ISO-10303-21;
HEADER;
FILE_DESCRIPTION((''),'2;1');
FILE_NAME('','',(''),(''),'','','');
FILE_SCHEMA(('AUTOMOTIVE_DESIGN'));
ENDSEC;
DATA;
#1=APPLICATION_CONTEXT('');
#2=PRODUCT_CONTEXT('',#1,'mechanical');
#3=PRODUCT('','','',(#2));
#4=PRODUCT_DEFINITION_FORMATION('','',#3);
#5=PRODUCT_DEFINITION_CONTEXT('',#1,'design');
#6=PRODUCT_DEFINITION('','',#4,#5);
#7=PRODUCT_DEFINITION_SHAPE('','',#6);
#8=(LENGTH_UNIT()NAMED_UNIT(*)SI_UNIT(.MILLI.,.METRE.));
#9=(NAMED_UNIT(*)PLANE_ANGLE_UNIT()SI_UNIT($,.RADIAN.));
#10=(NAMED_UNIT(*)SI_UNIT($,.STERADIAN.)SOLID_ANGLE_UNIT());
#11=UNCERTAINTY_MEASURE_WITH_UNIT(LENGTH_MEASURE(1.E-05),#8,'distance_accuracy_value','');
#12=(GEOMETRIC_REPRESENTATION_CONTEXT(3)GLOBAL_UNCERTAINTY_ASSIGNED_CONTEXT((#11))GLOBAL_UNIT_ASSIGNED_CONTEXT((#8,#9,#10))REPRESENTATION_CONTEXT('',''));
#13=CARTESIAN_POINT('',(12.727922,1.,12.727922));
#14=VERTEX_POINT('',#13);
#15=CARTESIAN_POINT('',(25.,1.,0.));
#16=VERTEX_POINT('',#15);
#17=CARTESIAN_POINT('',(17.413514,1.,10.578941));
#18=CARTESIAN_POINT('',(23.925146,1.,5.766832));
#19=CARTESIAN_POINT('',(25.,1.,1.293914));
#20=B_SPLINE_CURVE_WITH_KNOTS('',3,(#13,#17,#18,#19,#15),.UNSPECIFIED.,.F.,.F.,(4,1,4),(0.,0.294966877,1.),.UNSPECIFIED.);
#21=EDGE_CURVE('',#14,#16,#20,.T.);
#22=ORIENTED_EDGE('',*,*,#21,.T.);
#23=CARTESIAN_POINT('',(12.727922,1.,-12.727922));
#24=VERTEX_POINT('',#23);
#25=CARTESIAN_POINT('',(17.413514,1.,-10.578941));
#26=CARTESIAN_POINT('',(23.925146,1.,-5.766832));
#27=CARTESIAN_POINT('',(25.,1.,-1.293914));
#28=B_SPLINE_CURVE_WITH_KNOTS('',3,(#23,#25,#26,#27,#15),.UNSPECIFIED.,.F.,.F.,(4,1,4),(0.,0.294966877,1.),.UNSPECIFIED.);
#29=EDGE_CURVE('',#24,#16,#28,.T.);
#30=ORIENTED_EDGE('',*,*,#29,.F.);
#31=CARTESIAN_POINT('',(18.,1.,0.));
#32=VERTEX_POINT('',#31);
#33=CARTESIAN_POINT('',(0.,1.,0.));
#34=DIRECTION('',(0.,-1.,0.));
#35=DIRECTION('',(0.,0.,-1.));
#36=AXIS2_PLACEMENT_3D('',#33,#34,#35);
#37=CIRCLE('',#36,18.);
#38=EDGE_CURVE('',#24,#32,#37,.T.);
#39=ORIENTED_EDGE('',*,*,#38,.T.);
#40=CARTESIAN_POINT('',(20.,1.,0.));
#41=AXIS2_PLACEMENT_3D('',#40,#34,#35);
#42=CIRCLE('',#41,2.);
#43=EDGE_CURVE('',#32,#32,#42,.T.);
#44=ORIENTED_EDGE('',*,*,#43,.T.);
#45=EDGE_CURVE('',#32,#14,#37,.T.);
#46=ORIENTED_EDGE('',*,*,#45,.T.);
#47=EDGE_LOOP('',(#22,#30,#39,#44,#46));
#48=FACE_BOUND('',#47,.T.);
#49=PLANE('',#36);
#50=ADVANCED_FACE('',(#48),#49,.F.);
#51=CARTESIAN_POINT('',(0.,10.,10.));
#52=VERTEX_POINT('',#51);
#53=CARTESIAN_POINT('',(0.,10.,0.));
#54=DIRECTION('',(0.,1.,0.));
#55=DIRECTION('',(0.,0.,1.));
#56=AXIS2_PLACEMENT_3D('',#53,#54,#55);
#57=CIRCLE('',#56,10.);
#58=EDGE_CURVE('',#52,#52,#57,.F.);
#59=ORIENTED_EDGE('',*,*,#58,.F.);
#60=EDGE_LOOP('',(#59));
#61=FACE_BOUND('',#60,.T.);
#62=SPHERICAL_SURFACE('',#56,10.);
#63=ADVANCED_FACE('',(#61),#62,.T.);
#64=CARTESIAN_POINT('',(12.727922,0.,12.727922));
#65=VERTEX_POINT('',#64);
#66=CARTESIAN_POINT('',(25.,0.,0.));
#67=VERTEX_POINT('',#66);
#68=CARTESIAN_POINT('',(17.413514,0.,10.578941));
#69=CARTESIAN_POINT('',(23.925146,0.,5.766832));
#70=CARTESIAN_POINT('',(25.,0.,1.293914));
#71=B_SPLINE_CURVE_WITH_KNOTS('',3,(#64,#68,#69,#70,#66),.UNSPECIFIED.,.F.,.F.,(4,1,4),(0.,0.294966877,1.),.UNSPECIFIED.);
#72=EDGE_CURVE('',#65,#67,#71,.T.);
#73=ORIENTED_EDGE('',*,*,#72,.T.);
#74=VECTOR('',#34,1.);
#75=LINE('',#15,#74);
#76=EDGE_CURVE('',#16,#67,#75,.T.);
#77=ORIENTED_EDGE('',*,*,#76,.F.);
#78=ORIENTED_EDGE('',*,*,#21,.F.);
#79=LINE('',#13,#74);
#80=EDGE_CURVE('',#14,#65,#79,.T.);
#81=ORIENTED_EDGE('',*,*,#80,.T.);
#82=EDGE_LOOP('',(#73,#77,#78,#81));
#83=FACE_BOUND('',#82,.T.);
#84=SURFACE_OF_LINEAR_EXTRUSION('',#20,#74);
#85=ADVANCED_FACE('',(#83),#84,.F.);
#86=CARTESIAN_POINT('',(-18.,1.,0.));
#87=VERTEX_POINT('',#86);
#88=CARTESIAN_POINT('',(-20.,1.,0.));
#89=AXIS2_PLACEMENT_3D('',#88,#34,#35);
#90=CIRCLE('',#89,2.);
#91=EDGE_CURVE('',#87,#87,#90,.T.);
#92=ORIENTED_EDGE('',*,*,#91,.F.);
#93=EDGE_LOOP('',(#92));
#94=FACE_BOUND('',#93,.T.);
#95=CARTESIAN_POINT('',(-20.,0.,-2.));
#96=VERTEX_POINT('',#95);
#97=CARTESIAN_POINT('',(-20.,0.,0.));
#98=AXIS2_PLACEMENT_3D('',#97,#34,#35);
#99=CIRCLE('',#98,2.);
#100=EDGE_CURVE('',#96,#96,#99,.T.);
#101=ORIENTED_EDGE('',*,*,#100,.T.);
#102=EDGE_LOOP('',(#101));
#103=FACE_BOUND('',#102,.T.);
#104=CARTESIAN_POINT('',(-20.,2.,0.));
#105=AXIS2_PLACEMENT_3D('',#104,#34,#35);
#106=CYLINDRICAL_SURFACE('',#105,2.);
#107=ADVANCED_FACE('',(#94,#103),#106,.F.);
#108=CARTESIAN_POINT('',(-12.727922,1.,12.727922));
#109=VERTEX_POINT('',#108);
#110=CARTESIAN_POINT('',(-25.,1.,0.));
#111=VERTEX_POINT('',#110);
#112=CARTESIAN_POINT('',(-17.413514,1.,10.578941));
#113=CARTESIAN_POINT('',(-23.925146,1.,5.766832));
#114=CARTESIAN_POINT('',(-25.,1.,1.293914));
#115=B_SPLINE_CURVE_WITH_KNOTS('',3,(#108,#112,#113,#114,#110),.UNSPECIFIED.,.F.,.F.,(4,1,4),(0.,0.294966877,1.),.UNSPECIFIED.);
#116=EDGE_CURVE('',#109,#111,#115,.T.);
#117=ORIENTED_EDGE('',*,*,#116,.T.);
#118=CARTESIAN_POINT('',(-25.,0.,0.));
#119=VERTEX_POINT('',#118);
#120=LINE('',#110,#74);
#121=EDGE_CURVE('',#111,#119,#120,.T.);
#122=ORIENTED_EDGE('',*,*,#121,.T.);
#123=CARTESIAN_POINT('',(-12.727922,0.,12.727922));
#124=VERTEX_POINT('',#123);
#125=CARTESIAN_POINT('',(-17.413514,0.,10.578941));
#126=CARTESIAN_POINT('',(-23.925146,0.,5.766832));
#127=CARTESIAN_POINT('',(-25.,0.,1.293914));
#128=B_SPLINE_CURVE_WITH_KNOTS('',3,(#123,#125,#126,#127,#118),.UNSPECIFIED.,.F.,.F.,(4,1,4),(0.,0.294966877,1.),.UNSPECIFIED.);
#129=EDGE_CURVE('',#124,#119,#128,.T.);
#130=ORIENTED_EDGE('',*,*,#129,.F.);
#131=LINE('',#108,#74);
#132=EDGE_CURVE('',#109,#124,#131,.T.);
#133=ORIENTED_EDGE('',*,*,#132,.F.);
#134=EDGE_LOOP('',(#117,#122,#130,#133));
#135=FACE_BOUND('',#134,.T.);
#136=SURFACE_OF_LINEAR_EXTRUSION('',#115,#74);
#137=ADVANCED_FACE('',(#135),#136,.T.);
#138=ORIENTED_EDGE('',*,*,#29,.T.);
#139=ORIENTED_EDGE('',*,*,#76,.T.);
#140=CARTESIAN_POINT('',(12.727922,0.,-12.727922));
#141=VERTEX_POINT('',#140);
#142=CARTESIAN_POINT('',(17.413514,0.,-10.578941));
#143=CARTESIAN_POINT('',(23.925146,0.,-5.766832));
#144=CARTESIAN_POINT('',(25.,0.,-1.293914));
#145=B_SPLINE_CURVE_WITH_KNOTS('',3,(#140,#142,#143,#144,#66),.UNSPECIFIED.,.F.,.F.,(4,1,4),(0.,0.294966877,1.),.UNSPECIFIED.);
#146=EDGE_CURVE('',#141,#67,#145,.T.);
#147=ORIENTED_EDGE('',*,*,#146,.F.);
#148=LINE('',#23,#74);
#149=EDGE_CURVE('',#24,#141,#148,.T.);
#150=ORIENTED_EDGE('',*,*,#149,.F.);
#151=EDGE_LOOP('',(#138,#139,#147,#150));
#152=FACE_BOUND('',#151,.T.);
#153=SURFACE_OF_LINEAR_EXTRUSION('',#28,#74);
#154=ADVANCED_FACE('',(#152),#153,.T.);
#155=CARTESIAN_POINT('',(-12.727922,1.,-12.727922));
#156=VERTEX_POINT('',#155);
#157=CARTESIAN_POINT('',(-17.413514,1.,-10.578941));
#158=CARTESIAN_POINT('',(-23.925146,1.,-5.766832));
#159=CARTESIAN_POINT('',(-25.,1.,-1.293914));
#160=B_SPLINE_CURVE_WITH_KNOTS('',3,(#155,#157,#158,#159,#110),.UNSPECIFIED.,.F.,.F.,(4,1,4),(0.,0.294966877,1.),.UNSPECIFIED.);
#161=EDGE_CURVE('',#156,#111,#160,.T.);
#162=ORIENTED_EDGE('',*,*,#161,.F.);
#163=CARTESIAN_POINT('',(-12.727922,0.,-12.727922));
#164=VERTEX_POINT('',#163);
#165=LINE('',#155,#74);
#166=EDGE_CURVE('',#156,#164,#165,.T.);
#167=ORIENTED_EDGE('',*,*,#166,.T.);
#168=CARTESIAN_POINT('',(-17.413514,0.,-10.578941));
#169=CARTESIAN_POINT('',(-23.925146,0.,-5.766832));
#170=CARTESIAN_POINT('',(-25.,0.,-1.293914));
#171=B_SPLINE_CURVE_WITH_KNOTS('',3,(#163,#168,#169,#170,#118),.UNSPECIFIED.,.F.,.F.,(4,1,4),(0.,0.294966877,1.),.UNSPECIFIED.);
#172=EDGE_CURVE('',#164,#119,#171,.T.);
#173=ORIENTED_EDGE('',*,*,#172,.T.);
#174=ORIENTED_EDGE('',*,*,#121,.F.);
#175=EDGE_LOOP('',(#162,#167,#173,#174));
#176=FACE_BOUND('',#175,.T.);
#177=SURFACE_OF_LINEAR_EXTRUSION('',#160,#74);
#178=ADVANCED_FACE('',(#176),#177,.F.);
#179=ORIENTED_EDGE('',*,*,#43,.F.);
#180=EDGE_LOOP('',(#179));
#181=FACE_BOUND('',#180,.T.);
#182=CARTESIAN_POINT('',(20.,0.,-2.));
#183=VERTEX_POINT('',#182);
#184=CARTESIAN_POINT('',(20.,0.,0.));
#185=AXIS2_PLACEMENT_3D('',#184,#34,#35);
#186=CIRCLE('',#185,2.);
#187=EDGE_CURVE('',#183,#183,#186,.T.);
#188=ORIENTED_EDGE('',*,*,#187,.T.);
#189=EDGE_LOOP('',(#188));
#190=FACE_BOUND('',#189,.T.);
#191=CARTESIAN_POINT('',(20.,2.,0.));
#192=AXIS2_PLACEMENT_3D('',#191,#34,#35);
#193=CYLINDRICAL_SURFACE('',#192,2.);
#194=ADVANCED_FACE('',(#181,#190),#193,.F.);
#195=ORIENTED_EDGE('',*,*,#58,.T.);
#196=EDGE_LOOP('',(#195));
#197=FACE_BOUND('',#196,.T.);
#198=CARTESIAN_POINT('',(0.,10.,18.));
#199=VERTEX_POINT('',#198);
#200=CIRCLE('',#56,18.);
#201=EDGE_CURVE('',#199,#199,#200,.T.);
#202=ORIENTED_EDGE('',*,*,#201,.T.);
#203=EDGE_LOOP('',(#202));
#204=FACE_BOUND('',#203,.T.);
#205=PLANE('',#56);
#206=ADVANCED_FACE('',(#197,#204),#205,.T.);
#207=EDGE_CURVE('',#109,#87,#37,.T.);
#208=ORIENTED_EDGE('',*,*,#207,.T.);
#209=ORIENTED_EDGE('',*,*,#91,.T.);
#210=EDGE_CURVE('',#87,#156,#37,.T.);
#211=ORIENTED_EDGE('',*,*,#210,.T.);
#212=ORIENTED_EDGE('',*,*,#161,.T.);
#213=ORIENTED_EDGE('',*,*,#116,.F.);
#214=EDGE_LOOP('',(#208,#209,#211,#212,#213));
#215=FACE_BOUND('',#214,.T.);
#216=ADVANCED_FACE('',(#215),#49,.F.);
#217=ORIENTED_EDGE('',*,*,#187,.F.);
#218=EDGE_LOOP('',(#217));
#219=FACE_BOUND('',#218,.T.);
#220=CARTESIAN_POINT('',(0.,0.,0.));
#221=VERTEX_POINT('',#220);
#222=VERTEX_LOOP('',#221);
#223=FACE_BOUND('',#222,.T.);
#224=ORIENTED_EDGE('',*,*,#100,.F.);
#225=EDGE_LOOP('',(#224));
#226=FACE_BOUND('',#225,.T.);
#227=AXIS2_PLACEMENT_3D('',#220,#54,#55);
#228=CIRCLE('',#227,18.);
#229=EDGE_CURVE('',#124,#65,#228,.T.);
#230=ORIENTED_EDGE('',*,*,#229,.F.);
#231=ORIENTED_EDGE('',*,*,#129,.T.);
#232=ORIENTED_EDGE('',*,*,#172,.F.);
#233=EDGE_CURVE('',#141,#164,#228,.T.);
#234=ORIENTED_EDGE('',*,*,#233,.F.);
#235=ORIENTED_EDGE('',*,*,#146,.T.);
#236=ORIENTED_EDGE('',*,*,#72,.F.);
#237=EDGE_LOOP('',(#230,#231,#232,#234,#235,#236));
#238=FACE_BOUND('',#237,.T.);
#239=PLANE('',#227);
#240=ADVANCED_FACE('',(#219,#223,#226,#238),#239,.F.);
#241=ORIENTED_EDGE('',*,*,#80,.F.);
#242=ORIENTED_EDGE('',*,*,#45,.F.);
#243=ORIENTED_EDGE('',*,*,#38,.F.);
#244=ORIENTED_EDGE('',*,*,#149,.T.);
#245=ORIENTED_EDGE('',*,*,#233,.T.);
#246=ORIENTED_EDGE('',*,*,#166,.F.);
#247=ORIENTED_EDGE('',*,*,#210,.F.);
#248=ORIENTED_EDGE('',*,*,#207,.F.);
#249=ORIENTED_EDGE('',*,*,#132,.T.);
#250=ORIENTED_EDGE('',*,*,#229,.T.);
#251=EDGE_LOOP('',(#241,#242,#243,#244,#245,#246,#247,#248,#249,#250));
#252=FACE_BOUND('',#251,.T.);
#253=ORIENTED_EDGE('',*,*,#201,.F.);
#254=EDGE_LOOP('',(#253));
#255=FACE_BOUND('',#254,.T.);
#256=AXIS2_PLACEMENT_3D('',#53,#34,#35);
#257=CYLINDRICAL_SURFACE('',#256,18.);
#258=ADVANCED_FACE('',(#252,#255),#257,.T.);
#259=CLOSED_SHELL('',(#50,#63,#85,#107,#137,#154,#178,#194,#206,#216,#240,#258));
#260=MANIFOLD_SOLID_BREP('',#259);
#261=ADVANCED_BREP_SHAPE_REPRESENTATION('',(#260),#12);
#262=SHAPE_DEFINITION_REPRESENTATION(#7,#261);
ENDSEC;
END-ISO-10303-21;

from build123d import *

# Parameters (mm, degrees)
SKETCH1_R            = 18
BOSS_EXTRUDE1_DEPTH  = 10
SKETCH2_R            = 2
BOSS_EXTRUDE11_DEPTH = 1
SKETCH3_R            = 2
CUT_EXTRUDE1_DEPTH   = 2


with BuildPart() as part:
    # Sketch1 → Boss-Extrude1 (new body)
    with BuildSketch(Plane(origin=(0, 0, 0), x_dir=(1, 0, 0), z_dir=(0, 1, 0))):
        with Locations(Location((0, 0, 0), (0, 0, 270))):
            Circle(SKETCH1_R)
    extrude(amount=BOSS_EXTRUDE1_DEPTH)

    # Sketch2 → Boss-Extrude11 (add)
    with BuildSketch(Plane.XZ):
        with BuildLine():
            ThreePointArc((-12.727922061, -12.727922061), (-16.629831585, -6.888301783), (-18, 0))
            ThreePointArc((-18, 0), (-16.629831585, 6.888301783), (-12.727922061, 12.727922061))
            add(Edge.make_bspline(
                [(-12.727922061, 12.727922061), (-17.413514116, 10.578941286), (-22.725992236, 6.653009013), (-24.419739959, 2.952843449), (-24.810237614, 1.3644098)],
                knots=[0, 0, 0, 0, 0.294966877, 0.815844303, 0.815844303, 0.815844303, 0.815844303], degree=3))
            add(Edge.make_bspline(
                [(-24.810237614, 1.3644098), (-24.948297671, 0.80282066), (-25, 0.337972177), (-25, 0)],
                knots=[0.815844303, 0.815844303, 0.815844303, 0.815844303, 1, 1, 1, 1], degree=3))
            add(Edge.make_bspline(
                [(-24.810237614, -1.3644098), (-24.948297671, -0.80282066), (-25, -0.337972177), (-25, 0)],
                knots=[0.815844303, 0.815844303, 0.815844303, 0.815844303, 1, 1, 1, 1], degree=3))
            add(Edge.make_bspline(
                [(-12.727922061, -12.727922061), (-17.413514116, -10.578941286), (-22.725992236, -6.653009013), (-24.419739959, -2.952843449), (-24.810237614, -1.3644098)],
                knots=[0, 0, 0, 0, 0.294966877, 0.815844303, 0.815844303, 0.815844303, 0.815844303], degree=3))
        make_face()
        with Locations((-20, 0)):
            Circle(SKETCH2_R, mode=Mode.SUBTRACT)
        with Locations((-20, 0)):
            Circle(SKETCH2_R)
        with BuildLine():
            ThreePointArc((12.727922061, 12.727922061), (16.629831585, 6.888301783), (18, 2e-09))
            ThreePointArc((18, 2e-09), (16.629831586, -6.888301782), (12.727922061, -12.727922061))
            add(Edge.make_bspline(
                [(12.727922061, -12.727922061), (17.413514116, -10.578941286), (23.925146422, -5.766831599), (25, -1.293913703), (25, 0)],
                knots=[0, 0, 0, 0, 0.294966877, 1, 1, 1, 1], degree=3))
            add(Edge.make_bspline(
                [(12.727922061, 12.727922061), (17.413514116, 10.578941286), (23.925146422, 5.766831599), (25, 1.293913703), (25, 0)],
                knots=[0, 0, 0, 0, 0.294966877, 1, 1, 1, 1], degree=3))
        make_face()
        with BuildLine():
            ThreePointArc((18, 2e-09), (20.000000001, 2), (22, 0))
            ThreePointArc((22, 0), (19.999999999, -2), (18, 2e-09))
        make_face(mode=Mode.SUBTRACT)
        with BuildLine():
            ThreePointArc((18, 2e-09), (19.999999999, -2), (22, 0))
            ThreePointArc((22, 0), (20.000000001, 2), (18, 2e-09))
        make_face()
    extrude(amount=-BOSS_EXTRUDE11_DEPTH)

    # Sketch3 → Cut-Extrude1 (cut)
    with BuildSketch(Plane.XZ):
        with Locations(Location((-20, 0, 0), (0, 0, 270))):
            Circle(SKETCH3_R)
        with Locations(Location((20, 0, 0), (0, 0, 270))):
            Circle(SKETCH3_R)
    extrude(amount=-CUT_EXTRUDE1_DEPTH, mode=Mode.SUBTRACT)

    # Sketch4 → Revolve1 (revolve)
    with BuildSketch(Plane(origin=(0, 10, 0), x_dir=(1, 0, 0), z_dir=(0, 1, 0))):
        with BuildLine():
            Line((0, 10), (0, -10))
            ThreePointArc((0, -10), (10, 0), (0, 10))
        make_face()
    revolve(axis=Axis((0, 10, -19.956600841), (0, 0, 1)))


solid = part.part
